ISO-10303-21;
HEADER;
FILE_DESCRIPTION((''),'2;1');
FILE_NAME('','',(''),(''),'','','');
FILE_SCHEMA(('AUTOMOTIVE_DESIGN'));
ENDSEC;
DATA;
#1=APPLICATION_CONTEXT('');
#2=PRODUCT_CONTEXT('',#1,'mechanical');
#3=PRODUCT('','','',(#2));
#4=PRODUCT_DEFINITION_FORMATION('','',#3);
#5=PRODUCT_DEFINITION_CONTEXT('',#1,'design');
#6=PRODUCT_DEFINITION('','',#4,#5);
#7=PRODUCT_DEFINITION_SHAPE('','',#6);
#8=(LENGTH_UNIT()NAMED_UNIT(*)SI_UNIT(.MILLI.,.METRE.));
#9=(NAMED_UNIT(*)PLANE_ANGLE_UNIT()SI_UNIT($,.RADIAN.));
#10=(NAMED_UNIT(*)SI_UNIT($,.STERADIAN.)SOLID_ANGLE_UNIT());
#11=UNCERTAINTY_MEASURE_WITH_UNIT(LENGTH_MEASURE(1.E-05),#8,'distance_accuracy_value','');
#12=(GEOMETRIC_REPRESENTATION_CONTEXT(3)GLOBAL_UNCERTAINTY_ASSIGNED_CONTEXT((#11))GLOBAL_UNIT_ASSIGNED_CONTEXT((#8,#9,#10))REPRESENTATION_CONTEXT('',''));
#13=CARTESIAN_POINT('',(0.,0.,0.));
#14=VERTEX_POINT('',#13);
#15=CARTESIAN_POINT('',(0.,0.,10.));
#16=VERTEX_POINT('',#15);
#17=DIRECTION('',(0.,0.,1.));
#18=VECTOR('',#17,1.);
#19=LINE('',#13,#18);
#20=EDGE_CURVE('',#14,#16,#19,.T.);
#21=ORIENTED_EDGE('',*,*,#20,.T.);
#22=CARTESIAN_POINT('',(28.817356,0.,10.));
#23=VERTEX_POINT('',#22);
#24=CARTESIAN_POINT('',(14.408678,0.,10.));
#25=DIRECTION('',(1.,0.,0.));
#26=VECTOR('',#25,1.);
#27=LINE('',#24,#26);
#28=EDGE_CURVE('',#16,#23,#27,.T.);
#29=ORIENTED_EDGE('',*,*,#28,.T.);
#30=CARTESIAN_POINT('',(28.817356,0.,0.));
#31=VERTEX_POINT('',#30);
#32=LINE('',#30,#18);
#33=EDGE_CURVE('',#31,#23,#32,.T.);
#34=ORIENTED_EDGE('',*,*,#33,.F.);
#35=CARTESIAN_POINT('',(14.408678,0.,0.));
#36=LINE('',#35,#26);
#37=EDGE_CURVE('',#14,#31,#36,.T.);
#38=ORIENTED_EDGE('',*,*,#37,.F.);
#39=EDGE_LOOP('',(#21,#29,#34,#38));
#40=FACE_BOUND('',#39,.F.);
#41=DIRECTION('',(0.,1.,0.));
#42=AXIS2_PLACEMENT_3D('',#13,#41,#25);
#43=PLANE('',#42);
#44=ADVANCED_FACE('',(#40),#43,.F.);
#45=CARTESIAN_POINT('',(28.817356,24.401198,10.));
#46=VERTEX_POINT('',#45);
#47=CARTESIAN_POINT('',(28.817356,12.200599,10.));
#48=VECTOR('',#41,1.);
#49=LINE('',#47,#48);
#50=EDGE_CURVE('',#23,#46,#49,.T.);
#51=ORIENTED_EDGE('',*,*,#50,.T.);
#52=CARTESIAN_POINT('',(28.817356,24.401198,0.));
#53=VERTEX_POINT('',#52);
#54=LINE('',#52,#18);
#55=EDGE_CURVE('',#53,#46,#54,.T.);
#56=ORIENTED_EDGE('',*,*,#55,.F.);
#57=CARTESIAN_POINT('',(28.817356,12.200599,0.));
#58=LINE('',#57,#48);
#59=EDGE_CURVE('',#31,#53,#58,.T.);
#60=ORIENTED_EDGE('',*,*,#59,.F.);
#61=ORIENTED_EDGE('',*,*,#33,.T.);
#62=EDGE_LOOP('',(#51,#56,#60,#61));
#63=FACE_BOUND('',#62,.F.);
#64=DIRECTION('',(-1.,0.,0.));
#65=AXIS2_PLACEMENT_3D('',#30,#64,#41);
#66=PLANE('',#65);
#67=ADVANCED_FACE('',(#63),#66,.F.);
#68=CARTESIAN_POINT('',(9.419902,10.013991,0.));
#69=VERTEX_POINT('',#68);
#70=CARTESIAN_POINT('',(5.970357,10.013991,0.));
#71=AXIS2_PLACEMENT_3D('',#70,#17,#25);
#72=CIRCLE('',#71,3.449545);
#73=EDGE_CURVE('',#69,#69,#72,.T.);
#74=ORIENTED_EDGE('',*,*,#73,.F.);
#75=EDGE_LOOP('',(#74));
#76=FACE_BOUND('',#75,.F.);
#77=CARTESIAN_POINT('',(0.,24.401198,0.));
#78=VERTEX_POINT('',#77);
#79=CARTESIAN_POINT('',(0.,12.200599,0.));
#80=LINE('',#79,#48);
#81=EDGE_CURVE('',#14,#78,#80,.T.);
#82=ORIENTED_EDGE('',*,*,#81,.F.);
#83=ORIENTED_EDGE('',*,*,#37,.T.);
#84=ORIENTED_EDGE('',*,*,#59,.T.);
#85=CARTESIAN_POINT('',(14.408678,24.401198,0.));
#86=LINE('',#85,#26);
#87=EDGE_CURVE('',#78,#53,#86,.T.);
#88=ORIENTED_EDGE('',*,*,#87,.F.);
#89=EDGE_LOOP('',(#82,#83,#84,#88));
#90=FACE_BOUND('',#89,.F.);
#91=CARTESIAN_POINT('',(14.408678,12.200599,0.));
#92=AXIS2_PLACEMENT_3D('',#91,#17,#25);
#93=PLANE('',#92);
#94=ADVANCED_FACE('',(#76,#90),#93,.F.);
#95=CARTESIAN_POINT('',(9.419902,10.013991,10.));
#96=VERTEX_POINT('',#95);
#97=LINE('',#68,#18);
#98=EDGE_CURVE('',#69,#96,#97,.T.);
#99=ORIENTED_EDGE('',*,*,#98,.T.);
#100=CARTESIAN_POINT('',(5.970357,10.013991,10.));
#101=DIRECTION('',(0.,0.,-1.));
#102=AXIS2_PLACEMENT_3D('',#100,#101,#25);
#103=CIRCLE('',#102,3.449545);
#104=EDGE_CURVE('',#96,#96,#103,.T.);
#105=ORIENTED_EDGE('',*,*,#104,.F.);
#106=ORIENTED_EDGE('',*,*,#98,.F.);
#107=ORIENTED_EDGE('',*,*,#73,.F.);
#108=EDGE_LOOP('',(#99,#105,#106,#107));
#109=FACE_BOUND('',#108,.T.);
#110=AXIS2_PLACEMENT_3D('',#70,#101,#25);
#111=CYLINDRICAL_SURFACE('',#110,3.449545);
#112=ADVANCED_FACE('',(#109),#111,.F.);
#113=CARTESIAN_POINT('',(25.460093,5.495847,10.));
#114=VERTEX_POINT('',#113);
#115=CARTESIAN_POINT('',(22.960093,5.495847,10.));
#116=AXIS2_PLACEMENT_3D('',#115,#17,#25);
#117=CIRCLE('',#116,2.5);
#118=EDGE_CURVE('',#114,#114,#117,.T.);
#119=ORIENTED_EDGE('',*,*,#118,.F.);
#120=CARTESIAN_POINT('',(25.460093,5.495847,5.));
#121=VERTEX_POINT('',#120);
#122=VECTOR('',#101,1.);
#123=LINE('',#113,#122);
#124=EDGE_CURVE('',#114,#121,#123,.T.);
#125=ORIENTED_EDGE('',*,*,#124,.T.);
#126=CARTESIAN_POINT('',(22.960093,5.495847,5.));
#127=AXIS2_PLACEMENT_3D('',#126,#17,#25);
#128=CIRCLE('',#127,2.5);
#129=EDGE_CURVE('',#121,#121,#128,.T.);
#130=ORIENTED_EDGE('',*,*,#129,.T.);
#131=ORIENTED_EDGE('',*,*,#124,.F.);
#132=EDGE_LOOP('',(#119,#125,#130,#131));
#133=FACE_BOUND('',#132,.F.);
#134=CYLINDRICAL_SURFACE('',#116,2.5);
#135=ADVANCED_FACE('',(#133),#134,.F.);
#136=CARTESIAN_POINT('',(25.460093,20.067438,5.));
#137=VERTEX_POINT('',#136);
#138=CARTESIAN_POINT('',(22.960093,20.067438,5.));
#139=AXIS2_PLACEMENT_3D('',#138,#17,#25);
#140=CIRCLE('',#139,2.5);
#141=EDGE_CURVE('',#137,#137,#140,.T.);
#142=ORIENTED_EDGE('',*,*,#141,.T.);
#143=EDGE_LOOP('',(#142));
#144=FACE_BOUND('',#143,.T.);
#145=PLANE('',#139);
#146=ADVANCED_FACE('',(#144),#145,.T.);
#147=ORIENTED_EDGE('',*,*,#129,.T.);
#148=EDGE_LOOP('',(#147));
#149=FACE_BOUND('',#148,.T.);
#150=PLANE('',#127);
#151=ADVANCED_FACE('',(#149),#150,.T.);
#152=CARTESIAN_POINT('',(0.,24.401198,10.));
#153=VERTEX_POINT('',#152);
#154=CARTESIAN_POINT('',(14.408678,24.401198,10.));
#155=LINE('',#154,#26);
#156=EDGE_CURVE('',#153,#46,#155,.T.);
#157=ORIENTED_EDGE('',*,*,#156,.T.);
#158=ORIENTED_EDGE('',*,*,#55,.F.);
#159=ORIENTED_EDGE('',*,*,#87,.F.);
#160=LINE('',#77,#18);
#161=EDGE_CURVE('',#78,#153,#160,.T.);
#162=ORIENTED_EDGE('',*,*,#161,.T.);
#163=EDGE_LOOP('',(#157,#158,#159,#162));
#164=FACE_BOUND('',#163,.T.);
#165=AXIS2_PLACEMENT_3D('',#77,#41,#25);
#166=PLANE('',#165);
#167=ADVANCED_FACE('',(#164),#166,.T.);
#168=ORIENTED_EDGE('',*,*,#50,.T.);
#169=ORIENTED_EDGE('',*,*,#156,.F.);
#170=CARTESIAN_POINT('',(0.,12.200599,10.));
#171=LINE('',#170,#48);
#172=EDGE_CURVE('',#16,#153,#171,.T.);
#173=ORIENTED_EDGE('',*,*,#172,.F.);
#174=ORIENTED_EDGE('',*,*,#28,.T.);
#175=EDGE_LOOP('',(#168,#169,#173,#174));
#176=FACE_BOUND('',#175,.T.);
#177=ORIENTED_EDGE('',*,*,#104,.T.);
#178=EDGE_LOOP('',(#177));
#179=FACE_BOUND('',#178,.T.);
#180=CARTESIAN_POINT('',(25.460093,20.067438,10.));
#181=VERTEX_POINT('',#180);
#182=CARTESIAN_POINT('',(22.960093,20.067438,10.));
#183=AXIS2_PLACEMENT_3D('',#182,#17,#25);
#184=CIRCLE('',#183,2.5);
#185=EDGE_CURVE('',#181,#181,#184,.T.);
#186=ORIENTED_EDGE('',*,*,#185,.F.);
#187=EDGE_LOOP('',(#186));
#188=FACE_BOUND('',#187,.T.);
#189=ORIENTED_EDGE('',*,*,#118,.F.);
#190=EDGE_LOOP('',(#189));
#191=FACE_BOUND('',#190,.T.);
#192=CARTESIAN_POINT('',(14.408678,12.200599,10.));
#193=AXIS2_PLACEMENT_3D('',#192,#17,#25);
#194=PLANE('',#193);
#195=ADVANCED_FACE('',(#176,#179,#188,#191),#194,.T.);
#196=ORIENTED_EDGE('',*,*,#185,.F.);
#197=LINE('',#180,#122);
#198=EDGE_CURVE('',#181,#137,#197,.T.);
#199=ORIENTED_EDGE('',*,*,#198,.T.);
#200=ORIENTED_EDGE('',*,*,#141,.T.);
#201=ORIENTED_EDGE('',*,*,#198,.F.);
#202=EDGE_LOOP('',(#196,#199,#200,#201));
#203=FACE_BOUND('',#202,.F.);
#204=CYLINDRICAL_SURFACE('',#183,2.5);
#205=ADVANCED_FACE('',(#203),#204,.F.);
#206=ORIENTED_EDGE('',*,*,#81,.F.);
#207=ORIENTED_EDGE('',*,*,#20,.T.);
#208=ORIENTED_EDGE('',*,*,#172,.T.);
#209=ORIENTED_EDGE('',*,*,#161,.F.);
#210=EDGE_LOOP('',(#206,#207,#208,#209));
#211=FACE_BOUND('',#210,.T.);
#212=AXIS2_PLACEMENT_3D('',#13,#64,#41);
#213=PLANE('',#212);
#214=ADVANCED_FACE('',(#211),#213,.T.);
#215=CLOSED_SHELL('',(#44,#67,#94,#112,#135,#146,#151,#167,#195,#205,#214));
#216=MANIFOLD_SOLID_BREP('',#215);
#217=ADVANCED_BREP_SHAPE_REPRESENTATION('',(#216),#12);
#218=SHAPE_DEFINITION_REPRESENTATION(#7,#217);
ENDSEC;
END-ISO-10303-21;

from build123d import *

# Parameters (mm, degrees)
SKETCH_W        = 28.817356
SKETCH_H        = 24.401199
PAD_DEPTH       = 10
SKETCH001_R     = 3.449545
POCKET_DEPTH    = 10.001
SKETCH002_R     = 2.5
POCKET001_DEPTH = 5


with BuildPart() as part:
    # Sketch → Pad (new body)
    with BuildSketch(Plane.XY):
        with Locations((14.408678, 12.200599)):
            Rectangle(SKETCH_W, SKETCH_H)
    extrude(amount=PAD_DEPTH)

    # Sketch001 → Pocket (cut, through all)
    with BuildSketch(Plane.XY):
        with Locations((5.970357, 10.013991)):
            Circle(SKETCH001_R)
    extrude(amount=POCKET_DEPTH, mode=Mode.SUBTRACT)

    # Sketch002 (on Face5 of Pocket) → Pocket001 (cut)
    with BuildSketch(Plane.XY.offset(10)):
        with Locations((22.960093, 5.495847)):
            Circle(SKETCH002_R)
        with Locations((22.960093, 20.067438)):
            Circle(SKETCH002_R)
    extrude(amount=-POCKET001_DEPTH, mode=Mode.SUBTRACT)


solid = part.part
